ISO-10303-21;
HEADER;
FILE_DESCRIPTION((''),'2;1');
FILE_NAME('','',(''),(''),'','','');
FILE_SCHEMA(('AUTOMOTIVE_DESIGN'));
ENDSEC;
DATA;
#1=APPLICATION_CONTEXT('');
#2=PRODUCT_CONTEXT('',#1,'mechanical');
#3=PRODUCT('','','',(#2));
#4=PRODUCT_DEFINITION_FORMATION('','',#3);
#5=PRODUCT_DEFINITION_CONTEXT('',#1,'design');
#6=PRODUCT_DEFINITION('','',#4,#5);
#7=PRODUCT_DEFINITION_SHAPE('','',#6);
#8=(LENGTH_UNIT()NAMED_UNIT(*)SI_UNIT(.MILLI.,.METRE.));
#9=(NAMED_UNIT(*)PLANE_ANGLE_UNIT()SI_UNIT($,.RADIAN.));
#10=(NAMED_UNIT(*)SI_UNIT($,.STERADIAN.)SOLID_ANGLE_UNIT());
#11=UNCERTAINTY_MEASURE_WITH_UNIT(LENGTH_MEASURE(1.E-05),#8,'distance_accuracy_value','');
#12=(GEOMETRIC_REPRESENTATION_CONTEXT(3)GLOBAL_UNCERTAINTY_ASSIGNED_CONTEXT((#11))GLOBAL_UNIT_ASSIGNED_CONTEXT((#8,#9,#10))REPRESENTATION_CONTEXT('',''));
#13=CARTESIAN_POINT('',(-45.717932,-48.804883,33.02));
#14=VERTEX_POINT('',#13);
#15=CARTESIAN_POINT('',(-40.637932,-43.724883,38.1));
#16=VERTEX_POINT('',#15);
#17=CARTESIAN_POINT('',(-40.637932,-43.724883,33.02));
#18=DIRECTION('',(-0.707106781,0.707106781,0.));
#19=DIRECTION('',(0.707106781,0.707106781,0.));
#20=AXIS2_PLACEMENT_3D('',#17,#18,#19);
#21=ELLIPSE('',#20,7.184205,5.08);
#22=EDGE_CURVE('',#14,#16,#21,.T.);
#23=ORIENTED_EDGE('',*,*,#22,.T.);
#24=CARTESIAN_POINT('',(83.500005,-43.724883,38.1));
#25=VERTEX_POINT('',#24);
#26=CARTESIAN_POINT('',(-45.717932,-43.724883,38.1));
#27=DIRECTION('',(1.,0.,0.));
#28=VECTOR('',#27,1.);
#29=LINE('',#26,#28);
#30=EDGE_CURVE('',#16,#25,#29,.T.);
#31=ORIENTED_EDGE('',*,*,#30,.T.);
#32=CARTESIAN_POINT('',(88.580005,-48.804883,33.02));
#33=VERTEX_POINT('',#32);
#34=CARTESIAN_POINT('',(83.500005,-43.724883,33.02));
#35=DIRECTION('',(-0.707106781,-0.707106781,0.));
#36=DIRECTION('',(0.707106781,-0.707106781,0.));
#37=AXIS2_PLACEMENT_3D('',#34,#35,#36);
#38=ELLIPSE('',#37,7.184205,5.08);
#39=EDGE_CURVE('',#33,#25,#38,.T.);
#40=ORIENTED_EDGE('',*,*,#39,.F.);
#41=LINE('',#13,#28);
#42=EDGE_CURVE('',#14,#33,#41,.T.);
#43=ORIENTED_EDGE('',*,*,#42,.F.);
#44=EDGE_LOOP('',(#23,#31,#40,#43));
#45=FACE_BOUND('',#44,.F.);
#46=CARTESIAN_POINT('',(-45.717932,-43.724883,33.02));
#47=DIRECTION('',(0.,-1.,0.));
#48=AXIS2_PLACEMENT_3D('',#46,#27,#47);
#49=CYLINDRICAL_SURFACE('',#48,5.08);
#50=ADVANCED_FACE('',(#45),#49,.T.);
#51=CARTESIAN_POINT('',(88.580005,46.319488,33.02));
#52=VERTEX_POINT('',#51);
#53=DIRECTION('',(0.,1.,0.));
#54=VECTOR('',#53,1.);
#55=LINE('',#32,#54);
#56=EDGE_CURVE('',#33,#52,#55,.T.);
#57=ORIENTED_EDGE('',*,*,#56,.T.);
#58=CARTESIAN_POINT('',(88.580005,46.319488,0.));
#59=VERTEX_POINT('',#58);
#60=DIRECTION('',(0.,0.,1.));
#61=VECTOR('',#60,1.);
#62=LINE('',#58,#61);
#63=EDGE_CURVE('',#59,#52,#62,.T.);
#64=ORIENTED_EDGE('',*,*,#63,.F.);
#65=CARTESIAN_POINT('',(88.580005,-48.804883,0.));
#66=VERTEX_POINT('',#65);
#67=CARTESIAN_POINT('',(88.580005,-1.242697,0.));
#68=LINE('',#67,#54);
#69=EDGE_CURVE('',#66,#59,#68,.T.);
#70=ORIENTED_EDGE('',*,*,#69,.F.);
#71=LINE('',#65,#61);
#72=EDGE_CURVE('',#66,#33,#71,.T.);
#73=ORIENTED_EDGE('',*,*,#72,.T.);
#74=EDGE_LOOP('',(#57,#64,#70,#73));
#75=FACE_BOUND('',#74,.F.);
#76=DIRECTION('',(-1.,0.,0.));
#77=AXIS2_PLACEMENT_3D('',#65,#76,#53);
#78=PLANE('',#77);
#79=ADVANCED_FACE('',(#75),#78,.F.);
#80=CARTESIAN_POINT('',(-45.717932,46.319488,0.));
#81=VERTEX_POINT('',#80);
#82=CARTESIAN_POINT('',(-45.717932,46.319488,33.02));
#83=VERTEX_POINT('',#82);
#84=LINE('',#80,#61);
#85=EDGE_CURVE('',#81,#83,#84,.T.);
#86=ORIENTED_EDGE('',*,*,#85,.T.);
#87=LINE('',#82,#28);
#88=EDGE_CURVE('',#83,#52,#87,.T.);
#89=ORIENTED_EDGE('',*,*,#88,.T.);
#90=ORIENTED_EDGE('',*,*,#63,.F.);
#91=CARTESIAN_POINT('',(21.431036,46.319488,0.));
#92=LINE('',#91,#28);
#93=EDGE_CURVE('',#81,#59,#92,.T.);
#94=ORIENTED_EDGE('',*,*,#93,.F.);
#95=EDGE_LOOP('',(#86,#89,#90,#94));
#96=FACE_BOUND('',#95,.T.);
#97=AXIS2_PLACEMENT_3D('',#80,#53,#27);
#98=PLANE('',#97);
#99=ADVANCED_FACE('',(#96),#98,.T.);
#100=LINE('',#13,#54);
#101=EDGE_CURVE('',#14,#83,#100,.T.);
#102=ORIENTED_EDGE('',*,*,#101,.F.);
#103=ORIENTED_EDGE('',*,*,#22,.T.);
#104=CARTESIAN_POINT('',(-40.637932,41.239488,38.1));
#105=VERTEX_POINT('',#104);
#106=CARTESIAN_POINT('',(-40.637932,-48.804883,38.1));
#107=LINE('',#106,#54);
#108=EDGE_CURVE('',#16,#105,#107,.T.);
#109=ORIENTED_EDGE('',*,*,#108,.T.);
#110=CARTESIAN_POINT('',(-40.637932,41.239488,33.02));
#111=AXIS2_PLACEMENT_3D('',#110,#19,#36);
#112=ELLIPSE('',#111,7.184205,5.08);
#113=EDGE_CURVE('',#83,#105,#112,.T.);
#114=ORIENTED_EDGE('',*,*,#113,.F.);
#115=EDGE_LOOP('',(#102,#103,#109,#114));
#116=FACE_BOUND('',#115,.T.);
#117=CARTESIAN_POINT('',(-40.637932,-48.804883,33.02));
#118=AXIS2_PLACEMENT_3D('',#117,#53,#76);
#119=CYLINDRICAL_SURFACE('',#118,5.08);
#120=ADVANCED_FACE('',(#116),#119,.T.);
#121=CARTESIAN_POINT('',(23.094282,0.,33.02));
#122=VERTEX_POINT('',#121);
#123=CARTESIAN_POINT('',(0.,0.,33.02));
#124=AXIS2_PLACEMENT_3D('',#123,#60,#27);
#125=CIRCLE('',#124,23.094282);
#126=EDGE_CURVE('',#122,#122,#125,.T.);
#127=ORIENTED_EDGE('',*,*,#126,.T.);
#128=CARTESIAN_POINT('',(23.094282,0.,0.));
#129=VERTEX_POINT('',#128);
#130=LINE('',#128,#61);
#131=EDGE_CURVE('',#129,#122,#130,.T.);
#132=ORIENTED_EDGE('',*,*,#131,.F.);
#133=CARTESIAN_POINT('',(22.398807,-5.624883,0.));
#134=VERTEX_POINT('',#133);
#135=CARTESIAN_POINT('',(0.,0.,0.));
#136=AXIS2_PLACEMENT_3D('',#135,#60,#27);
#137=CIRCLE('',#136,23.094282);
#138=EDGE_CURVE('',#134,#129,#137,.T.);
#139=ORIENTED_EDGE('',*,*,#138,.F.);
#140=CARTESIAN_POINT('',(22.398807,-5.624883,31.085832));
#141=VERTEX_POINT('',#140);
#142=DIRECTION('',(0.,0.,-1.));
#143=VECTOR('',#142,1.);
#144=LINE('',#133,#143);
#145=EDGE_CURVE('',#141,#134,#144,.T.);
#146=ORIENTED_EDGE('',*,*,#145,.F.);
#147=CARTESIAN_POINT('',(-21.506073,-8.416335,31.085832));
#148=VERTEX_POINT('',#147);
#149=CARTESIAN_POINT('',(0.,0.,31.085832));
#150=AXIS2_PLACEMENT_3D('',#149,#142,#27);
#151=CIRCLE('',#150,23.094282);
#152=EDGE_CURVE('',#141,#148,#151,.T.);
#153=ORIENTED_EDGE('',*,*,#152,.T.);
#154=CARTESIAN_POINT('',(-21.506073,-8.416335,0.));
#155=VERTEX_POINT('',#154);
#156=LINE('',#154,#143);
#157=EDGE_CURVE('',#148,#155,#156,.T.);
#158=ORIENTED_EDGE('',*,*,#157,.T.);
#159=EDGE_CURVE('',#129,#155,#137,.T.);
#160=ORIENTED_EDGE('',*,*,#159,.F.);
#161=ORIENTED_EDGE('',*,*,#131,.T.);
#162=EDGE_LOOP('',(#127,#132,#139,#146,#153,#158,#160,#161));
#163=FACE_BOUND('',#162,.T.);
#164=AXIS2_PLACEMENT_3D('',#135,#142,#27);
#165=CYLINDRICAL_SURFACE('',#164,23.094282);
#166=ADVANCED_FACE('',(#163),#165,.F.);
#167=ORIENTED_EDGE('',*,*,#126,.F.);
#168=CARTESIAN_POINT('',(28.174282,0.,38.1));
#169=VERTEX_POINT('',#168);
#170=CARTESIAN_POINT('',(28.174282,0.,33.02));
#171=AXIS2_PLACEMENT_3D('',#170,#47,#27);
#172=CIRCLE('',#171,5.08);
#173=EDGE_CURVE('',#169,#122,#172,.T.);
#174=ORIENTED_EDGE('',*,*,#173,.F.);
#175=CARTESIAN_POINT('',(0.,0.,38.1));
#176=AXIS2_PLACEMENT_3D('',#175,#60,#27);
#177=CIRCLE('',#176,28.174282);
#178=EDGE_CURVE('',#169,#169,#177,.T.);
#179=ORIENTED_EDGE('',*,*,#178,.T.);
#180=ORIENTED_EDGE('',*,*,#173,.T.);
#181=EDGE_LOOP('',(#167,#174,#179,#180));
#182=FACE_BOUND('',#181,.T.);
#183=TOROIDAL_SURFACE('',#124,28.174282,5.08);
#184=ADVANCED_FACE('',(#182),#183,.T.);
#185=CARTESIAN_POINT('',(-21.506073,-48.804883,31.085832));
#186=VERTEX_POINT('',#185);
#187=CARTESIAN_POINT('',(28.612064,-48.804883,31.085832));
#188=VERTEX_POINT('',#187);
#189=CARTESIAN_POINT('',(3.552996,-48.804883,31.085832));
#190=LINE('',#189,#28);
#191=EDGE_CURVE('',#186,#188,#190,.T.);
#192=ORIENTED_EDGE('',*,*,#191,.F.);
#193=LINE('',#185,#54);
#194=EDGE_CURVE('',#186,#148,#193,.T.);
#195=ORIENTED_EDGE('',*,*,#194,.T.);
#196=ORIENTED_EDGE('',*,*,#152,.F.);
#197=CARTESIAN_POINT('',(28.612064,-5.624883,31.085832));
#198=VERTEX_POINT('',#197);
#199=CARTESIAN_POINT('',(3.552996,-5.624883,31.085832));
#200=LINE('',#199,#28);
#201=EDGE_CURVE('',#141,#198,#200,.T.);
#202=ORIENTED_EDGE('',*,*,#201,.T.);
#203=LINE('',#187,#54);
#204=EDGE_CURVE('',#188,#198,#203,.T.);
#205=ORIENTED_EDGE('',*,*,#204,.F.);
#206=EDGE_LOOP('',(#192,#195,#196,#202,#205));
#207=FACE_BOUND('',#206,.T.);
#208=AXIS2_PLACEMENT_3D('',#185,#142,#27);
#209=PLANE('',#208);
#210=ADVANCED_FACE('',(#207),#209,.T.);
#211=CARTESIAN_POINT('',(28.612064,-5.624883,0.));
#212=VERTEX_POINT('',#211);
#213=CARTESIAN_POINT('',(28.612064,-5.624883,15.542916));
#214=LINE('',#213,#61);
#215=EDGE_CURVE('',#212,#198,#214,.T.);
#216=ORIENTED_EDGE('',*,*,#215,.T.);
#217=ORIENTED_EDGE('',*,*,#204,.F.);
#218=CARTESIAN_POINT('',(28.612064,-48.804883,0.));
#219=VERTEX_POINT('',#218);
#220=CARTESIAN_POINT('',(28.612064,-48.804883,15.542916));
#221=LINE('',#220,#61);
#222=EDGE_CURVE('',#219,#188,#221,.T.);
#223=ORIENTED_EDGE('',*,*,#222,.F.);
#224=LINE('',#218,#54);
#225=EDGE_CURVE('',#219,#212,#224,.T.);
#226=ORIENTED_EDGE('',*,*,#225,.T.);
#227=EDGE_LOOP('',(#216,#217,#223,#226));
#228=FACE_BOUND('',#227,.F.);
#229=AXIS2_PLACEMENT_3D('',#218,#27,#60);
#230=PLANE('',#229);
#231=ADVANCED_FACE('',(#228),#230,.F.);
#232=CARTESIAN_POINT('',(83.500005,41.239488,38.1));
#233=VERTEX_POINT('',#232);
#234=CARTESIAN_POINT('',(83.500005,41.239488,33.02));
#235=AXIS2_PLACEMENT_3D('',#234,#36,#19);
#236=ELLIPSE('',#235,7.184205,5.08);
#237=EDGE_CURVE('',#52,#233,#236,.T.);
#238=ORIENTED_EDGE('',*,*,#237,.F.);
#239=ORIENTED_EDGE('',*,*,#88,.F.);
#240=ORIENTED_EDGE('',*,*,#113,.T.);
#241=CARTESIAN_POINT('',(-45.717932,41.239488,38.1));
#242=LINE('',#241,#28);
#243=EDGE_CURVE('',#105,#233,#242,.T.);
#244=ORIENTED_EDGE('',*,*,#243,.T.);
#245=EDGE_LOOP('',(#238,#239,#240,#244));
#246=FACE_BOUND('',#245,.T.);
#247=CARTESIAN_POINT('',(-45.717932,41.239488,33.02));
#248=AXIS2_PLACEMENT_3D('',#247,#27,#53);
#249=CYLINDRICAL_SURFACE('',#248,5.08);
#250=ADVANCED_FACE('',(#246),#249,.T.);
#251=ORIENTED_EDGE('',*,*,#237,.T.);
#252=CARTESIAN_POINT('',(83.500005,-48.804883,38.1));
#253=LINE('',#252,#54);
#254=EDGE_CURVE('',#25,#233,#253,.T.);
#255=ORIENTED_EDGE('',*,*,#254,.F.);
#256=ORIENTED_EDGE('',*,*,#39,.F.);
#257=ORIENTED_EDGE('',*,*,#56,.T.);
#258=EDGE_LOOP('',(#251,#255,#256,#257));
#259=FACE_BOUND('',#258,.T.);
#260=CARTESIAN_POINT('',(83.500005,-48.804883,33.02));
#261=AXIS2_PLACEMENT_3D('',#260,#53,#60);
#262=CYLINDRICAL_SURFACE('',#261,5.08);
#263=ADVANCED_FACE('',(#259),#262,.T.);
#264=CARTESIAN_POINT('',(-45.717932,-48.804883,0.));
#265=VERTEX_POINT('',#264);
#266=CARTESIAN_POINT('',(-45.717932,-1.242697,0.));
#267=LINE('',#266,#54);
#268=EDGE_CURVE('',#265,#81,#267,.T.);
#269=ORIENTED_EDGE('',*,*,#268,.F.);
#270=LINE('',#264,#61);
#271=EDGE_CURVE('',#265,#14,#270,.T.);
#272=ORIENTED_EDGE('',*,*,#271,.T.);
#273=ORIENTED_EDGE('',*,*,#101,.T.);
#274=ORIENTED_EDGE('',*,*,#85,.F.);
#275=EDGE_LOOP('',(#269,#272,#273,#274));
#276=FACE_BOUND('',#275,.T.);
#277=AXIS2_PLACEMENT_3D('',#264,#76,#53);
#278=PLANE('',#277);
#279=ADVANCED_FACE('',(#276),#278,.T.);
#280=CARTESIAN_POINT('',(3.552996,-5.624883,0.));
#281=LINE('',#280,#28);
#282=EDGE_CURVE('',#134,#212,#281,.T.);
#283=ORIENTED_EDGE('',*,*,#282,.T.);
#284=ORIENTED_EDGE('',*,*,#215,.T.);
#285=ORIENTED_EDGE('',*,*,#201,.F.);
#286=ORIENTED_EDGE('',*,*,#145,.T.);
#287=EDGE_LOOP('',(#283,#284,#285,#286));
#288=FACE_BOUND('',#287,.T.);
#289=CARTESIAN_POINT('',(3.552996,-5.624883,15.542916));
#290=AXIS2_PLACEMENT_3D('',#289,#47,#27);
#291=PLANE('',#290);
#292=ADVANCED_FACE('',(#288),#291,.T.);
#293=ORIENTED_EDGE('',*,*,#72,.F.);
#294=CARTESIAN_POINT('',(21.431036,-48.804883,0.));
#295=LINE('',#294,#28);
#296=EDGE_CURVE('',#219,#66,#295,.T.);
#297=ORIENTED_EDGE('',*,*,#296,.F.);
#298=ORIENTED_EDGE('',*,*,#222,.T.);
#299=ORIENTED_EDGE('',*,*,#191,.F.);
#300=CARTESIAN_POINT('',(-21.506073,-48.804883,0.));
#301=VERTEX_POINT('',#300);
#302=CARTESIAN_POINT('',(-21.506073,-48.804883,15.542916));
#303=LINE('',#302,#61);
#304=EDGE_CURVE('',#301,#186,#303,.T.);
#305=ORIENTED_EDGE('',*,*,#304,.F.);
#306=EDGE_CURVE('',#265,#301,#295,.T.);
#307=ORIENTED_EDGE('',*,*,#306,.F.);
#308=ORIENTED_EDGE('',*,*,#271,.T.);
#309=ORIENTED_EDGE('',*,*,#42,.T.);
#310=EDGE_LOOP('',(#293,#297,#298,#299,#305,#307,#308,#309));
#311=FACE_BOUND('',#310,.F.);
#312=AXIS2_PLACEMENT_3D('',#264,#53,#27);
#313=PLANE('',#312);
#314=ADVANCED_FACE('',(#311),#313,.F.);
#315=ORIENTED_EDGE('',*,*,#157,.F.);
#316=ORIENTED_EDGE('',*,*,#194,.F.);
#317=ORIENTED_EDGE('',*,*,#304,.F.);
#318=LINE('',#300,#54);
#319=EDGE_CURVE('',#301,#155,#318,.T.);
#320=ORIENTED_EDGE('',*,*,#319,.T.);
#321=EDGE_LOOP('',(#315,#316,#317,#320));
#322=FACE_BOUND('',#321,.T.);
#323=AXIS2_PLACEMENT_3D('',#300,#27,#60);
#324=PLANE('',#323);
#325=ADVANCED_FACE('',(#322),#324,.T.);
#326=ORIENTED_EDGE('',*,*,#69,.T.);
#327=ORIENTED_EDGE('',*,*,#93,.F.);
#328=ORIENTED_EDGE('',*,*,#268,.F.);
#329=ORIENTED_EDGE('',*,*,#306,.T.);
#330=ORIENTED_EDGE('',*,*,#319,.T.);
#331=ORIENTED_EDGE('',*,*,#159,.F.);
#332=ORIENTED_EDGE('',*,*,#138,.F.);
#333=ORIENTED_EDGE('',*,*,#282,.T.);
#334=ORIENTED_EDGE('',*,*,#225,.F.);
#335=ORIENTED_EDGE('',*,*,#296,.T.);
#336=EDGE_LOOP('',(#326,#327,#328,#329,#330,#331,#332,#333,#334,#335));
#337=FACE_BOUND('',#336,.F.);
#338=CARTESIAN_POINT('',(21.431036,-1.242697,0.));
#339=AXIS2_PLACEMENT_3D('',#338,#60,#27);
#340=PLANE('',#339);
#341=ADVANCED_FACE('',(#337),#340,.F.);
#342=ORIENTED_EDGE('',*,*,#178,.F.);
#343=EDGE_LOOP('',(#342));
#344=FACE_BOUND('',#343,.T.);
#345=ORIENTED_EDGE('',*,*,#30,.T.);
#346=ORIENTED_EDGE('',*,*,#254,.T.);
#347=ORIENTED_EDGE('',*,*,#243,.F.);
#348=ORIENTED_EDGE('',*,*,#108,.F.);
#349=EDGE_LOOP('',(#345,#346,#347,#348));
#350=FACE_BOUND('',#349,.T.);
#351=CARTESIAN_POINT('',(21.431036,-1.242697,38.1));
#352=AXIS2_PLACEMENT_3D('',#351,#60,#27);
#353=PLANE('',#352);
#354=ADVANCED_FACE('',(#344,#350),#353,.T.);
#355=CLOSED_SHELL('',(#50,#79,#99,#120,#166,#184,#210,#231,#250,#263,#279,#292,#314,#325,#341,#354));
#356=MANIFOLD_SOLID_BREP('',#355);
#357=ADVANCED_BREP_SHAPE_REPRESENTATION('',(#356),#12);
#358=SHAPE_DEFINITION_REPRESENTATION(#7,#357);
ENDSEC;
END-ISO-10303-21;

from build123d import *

# Parameters (mm, degrees)
F1_W     = 134.2979371548
F1_H     = 95.1243713498
F1_R     = 23.0942820745
F2_DEPTH = 38.1
F3_W     = 50.118137151
F3_H     = 31.0858320445
F4_DEPTH = 43.18
F5_R     = 5.08


with BuildPart() as f2:
    # F1 (on face) → F2 (new body)
    with BuildSketch(Plane.XY):
        with Locations((21.4310362935, -1.2426972389)):
            Rectangle(F1_W, F1_H)
        Circle(F1_R, mode=Mode.SUBTRACT)
    extrude(amount=F2_DEPTH)

    # F3 (on face) → F4 (cut)
    with BuildSketch(Plane.XZ.offset(48.8048829138)):
        with Locations((3.5529956222, 15.5429160222)):
            Rectangle(F3_W, F3_H)
    extrude(amount=-F4_DEPTH, mode=Mode.SUBTRACT)

    # F5
    f5_edges = [f2.edges().sort_by_distance(p)[0] for p in [
        (21.431036, 46.319488, 38.1),
        (-45.717932, -1.242697, 38.1),
        (21.431036, -48.804883, 38.1),
        (88.580005, -1.242697, 38.1),
        (-23.094282, 0, 38.1),
    ]]
    fillet(f5_edges, radius=F5_R)


solid = f2.part
